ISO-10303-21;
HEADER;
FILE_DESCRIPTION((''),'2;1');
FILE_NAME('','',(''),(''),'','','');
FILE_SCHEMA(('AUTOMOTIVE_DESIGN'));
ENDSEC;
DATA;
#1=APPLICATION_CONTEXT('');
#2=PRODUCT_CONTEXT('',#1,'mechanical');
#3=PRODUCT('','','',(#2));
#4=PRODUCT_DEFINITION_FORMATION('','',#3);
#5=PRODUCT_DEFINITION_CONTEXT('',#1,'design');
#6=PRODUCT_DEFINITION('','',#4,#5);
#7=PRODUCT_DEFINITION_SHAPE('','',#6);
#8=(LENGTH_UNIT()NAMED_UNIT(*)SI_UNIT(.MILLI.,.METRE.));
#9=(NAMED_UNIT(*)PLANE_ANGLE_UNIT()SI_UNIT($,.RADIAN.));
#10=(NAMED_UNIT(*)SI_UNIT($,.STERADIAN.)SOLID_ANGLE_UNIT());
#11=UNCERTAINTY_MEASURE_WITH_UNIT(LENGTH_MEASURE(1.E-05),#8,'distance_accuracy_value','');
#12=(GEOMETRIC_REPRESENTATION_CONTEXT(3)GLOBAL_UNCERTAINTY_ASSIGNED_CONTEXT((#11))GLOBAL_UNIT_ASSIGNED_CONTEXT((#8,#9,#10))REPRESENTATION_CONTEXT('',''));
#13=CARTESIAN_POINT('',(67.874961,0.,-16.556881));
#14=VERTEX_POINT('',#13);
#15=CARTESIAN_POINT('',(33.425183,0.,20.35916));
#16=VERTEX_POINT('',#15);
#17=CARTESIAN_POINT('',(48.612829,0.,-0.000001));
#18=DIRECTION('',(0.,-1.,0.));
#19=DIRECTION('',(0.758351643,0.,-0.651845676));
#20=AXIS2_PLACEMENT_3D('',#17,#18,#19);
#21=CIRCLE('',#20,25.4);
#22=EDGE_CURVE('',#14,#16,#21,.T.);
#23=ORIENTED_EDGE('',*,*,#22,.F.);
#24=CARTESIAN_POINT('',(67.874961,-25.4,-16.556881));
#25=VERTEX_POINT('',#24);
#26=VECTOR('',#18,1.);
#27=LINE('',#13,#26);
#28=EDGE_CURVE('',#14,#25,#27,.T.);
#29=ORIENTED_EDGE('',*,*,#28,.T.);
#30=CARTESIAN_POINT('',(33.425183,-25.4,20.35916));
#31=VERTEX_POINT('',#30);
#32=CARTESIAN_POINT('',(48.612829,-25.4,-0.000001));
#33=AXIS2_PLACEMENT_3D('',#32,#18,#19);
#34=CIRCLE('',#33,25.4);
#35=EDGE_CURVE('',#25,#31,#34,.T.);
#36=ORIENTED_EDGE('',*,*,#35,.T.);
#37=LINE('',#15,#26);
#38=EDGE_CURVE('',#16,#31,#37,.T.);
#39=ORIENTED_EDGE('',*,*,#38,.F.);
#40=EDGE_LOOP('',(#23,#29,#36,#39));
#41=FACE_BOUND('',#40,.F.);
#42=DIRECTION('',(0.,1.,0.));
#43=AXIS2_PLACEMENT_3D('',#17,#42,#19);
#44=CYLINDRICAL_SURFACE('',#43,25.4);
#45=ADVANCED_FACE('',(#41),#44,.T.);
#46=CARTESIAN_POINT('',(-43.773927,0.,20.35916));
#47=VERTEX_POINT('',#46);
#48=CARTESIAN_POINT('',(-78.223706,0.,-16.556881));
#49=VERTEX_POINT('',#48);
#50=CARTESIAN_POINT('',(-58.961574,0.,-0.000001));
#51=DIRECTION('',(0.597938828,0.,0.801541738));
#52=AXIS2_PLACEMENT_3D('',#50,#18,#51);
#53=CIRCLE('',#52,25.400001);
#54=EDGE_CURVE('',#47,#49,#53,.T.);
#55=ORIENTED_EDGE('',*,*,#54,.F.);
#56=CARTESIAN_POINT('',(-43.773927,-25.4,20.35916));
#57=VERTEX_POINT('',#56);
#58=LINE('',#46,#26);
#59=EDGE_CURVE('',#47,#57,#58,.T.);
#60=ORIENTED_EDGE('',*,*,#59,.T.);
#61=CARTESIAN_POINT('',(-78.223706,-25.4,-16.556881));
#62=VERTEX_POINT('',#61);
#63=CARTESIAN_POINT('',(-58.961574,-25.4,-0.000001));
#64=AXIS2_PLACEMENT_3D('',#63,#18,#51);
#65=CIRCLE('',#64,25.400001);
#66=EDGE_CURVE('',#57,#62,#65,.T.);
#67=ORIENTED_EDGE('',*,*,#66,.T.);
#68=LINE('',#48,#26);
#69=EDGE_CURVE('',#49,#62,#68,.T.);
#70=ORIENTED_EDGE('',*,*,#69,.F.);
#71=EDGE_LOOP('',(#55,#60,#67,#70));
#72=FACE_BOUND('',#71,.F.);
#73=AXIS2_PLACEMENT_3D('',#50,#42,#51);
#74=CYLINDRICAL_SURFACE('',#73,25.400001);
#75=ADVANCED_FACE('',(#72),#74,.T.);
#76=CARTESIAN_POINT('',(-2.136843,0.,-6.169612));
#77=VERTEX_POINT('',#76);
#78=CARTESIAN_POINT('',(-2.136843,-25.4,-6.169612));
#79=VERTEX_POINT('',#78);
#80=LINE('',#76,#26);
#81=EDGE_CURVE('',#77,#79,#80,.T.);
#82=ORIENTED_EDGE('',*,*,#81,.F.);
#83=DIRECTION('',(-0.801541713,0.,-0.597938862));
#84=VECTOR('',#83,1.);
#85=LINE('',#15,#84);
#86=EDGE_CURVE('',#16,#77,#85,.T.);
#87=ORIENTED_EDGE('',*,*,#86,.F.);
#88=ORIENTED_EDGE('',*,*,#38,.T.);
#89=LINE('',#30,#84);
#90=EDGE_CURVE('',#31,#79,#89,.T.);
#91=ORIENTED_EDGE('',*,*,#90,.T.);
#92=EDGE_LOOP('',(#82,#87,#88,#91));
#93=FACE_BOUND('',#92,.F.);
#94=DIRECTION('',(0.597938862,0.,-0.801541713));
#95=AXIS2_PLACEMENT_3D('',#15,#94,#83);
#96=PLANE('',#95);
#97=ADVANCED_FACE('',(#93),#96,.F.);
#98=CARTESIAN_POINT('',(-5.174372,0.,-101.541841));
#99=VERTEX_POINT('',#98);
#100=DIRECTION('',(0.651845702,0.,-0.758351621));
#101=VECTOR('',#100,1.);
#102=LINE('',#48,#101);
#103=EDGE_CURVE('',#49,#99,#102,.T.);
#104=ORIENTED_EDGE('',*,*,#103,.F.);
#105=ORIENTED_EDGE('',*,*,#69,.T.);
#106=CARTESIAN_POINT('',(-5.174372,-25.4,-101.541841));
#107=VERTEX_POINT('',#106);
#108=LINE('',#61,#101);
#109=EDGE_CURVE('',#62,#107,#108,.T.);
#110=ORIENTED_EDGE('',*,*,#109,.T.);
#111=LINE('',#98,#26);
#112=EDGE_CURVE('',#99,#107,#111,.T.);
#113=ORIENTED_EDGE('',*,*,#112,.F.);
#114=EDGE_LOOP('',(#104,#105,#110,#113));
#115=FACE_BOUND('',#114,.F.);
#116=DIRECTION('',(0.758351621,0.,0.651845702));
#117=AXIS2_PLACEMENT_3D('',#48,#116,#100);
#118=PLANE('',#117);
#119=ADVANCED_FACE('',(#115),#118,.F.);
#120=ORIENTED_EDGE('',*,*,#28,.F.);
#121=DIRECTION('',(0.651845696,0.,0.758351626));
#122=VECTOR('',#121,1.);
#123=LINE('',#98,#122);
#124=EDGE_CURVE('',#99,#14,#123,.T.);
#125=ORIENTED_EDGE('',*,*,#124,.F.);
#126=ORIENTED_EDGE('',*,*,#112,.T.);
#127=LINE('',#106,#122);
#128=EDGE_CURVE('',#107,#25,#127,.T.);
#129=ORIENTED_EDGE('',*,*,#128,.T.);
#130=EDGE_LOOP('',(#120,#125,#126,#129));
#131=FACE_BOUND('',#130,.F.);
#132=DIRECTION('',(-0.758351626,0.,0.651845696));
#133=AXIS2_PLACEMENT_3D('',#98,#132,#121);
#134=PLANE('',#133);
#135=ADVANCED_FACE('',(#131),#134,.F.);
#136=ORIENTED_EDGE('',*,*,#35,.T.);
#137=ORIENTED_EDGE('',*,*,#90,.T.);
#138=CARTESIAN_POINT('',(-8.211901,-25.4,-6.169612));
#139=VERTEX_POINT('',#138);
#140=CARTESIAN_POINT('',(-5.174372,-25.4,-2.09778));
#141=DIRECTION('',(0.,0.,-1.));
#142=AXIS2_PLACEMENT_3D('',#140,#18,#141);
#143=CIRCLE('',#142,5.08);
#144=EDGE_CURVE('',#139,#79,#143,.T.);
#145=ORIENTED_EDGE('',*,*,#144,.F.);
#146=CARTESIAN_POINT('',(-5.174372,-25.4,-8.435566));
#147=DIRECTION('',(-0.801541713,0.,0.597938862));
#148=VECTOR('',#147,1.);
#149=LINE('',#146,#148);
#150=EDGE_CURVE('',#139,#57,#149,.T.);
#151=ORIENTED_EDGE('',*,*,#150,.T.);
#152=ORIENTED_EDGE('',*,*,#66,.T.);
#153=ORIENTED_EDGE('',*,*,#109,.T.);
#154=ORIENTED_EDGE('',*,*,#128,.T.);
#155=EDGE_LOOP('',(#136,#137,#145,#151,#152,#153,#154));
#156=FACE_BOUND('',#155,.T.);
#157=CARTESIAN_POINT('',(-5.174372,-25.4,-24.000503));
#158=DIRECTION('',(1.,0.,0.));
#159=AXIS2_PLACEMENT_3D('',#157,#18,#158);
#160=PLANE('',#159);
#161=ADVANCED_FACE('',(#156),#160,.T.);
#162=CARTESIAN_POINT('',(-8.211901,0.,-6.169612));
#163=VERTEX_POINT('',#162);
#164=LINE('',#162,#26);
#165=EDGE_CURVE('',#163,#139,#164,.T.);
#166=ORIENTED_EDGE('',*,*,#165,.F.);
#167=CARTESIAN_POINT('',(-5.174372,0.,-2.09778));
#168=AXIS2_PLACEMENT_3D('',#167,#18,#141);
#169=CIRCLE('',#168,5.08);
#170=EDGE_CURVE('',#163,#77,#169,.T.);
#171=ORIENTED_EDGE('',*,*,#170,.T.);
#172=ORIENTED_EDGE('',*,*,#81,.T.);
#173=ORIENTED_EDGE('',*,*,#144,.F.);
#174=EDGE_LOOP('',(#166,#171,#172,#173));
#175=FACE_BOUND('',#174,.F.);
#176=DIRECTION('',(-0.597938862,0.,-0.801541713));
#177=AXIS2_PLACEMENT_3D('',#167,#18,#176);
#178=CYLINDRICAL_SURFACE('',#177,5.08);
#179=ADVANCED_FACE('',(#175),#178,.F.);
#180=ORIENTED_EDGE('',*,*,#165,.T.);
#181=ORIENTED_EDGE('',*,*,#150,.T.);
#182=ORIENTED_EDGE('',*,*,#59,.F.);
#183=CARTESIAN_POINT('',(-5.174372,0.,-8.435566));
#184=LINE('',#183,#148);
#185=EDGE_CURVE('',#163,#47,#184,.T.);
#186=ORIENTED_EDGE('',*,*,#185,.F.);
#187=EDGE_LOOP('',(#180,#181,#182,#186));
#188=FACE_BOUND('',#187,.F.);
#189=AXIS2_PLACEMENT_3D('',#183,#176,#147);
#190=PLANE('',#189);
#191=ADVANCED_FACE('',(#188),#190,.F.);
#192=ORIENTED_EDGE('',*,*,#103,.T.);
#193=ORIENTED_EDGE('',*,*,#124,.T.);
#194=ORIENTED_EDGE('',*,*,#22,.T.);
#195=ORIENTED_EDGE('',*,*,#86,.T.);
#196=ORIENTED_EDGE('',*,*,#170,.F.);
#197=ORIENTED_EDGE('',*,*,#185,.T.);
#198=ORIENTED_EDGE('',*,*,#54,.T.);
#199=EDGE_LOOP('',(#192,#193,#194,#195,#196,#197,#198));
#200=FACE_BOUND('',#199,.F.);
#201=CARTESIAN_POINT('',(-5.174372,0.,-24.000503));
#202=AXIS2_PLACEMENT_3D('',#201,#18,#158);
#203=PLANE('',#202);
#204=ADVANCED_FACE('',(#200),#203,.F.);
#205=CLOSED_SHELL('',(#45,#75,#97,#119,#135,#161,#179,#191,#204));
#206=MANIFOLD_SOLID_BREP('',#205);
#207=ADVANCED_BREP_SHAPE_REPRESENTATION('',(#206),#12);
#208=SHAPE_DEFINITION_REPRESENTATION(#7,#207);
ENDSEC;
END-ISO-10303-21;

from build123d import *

# Parameters (mm, degrees)
F1_DEPTH = 25.4
F2_DEPTH = 25.4
F3_R     = 5.08


with BuildPart() as f1:
    # F0 (on Front) → F1 (new body)
    with BuildSketch(Plane.XZ):
        with BuildLine():
            Line((-5.174372, -8.435566), (-43.773927, 20.35916))
            ThreePointArc((-43.773927, 20.35916), (-77.531681, 17.329487), (-78.223706, -16.556881))
            Line((-78.223706, -16.556881), (-5.174372, -101.541841))
            Line((-5.174372, -101.541841), (67.874961, -16.556881))
            ThreePointArc((67.874961, -16.556881), (67.182936, 17.329487), (33.425183, 20.35916))
            Line((33.425183, 20.35916), (-5.174372, -8.435566))
        make_face()
    extrude(amount=F1_DEPTH)

    # F0 (on Front) → F2 (join)
    with BuildSketch(Plane.XZ):
        with BuildLine():
            Line((-5.174372, -8.435566), (-43.773927, 20.35916))
            ThreePointArc((-43.773927, 20.35916), (-77.531681, 17.329487), (-78.223706, -16.556881))
            Line((-78.223706, -16.556881), (-5.174372, -101.541841))
            Line((-5.174372, -101.541841), (67.874961, -16.556881))
            ThreePointArc((67.874961, -16.556881), (67.182936, 17.329487), (33.425183, 20.35916))
            Line((33.425183, 20.35916), (-5.174372, -8.435566))
        make_face()
    extrude(amount=F2_DEPTH)

    # F3
    f3_edges = [f1.edges().sort_by_distance(p)[0] for p in [
        (-5.174372, -12.7, -8.435566),
    ]]
    fillet(f3_edges, radius=F3_R)


solid = f1.part
